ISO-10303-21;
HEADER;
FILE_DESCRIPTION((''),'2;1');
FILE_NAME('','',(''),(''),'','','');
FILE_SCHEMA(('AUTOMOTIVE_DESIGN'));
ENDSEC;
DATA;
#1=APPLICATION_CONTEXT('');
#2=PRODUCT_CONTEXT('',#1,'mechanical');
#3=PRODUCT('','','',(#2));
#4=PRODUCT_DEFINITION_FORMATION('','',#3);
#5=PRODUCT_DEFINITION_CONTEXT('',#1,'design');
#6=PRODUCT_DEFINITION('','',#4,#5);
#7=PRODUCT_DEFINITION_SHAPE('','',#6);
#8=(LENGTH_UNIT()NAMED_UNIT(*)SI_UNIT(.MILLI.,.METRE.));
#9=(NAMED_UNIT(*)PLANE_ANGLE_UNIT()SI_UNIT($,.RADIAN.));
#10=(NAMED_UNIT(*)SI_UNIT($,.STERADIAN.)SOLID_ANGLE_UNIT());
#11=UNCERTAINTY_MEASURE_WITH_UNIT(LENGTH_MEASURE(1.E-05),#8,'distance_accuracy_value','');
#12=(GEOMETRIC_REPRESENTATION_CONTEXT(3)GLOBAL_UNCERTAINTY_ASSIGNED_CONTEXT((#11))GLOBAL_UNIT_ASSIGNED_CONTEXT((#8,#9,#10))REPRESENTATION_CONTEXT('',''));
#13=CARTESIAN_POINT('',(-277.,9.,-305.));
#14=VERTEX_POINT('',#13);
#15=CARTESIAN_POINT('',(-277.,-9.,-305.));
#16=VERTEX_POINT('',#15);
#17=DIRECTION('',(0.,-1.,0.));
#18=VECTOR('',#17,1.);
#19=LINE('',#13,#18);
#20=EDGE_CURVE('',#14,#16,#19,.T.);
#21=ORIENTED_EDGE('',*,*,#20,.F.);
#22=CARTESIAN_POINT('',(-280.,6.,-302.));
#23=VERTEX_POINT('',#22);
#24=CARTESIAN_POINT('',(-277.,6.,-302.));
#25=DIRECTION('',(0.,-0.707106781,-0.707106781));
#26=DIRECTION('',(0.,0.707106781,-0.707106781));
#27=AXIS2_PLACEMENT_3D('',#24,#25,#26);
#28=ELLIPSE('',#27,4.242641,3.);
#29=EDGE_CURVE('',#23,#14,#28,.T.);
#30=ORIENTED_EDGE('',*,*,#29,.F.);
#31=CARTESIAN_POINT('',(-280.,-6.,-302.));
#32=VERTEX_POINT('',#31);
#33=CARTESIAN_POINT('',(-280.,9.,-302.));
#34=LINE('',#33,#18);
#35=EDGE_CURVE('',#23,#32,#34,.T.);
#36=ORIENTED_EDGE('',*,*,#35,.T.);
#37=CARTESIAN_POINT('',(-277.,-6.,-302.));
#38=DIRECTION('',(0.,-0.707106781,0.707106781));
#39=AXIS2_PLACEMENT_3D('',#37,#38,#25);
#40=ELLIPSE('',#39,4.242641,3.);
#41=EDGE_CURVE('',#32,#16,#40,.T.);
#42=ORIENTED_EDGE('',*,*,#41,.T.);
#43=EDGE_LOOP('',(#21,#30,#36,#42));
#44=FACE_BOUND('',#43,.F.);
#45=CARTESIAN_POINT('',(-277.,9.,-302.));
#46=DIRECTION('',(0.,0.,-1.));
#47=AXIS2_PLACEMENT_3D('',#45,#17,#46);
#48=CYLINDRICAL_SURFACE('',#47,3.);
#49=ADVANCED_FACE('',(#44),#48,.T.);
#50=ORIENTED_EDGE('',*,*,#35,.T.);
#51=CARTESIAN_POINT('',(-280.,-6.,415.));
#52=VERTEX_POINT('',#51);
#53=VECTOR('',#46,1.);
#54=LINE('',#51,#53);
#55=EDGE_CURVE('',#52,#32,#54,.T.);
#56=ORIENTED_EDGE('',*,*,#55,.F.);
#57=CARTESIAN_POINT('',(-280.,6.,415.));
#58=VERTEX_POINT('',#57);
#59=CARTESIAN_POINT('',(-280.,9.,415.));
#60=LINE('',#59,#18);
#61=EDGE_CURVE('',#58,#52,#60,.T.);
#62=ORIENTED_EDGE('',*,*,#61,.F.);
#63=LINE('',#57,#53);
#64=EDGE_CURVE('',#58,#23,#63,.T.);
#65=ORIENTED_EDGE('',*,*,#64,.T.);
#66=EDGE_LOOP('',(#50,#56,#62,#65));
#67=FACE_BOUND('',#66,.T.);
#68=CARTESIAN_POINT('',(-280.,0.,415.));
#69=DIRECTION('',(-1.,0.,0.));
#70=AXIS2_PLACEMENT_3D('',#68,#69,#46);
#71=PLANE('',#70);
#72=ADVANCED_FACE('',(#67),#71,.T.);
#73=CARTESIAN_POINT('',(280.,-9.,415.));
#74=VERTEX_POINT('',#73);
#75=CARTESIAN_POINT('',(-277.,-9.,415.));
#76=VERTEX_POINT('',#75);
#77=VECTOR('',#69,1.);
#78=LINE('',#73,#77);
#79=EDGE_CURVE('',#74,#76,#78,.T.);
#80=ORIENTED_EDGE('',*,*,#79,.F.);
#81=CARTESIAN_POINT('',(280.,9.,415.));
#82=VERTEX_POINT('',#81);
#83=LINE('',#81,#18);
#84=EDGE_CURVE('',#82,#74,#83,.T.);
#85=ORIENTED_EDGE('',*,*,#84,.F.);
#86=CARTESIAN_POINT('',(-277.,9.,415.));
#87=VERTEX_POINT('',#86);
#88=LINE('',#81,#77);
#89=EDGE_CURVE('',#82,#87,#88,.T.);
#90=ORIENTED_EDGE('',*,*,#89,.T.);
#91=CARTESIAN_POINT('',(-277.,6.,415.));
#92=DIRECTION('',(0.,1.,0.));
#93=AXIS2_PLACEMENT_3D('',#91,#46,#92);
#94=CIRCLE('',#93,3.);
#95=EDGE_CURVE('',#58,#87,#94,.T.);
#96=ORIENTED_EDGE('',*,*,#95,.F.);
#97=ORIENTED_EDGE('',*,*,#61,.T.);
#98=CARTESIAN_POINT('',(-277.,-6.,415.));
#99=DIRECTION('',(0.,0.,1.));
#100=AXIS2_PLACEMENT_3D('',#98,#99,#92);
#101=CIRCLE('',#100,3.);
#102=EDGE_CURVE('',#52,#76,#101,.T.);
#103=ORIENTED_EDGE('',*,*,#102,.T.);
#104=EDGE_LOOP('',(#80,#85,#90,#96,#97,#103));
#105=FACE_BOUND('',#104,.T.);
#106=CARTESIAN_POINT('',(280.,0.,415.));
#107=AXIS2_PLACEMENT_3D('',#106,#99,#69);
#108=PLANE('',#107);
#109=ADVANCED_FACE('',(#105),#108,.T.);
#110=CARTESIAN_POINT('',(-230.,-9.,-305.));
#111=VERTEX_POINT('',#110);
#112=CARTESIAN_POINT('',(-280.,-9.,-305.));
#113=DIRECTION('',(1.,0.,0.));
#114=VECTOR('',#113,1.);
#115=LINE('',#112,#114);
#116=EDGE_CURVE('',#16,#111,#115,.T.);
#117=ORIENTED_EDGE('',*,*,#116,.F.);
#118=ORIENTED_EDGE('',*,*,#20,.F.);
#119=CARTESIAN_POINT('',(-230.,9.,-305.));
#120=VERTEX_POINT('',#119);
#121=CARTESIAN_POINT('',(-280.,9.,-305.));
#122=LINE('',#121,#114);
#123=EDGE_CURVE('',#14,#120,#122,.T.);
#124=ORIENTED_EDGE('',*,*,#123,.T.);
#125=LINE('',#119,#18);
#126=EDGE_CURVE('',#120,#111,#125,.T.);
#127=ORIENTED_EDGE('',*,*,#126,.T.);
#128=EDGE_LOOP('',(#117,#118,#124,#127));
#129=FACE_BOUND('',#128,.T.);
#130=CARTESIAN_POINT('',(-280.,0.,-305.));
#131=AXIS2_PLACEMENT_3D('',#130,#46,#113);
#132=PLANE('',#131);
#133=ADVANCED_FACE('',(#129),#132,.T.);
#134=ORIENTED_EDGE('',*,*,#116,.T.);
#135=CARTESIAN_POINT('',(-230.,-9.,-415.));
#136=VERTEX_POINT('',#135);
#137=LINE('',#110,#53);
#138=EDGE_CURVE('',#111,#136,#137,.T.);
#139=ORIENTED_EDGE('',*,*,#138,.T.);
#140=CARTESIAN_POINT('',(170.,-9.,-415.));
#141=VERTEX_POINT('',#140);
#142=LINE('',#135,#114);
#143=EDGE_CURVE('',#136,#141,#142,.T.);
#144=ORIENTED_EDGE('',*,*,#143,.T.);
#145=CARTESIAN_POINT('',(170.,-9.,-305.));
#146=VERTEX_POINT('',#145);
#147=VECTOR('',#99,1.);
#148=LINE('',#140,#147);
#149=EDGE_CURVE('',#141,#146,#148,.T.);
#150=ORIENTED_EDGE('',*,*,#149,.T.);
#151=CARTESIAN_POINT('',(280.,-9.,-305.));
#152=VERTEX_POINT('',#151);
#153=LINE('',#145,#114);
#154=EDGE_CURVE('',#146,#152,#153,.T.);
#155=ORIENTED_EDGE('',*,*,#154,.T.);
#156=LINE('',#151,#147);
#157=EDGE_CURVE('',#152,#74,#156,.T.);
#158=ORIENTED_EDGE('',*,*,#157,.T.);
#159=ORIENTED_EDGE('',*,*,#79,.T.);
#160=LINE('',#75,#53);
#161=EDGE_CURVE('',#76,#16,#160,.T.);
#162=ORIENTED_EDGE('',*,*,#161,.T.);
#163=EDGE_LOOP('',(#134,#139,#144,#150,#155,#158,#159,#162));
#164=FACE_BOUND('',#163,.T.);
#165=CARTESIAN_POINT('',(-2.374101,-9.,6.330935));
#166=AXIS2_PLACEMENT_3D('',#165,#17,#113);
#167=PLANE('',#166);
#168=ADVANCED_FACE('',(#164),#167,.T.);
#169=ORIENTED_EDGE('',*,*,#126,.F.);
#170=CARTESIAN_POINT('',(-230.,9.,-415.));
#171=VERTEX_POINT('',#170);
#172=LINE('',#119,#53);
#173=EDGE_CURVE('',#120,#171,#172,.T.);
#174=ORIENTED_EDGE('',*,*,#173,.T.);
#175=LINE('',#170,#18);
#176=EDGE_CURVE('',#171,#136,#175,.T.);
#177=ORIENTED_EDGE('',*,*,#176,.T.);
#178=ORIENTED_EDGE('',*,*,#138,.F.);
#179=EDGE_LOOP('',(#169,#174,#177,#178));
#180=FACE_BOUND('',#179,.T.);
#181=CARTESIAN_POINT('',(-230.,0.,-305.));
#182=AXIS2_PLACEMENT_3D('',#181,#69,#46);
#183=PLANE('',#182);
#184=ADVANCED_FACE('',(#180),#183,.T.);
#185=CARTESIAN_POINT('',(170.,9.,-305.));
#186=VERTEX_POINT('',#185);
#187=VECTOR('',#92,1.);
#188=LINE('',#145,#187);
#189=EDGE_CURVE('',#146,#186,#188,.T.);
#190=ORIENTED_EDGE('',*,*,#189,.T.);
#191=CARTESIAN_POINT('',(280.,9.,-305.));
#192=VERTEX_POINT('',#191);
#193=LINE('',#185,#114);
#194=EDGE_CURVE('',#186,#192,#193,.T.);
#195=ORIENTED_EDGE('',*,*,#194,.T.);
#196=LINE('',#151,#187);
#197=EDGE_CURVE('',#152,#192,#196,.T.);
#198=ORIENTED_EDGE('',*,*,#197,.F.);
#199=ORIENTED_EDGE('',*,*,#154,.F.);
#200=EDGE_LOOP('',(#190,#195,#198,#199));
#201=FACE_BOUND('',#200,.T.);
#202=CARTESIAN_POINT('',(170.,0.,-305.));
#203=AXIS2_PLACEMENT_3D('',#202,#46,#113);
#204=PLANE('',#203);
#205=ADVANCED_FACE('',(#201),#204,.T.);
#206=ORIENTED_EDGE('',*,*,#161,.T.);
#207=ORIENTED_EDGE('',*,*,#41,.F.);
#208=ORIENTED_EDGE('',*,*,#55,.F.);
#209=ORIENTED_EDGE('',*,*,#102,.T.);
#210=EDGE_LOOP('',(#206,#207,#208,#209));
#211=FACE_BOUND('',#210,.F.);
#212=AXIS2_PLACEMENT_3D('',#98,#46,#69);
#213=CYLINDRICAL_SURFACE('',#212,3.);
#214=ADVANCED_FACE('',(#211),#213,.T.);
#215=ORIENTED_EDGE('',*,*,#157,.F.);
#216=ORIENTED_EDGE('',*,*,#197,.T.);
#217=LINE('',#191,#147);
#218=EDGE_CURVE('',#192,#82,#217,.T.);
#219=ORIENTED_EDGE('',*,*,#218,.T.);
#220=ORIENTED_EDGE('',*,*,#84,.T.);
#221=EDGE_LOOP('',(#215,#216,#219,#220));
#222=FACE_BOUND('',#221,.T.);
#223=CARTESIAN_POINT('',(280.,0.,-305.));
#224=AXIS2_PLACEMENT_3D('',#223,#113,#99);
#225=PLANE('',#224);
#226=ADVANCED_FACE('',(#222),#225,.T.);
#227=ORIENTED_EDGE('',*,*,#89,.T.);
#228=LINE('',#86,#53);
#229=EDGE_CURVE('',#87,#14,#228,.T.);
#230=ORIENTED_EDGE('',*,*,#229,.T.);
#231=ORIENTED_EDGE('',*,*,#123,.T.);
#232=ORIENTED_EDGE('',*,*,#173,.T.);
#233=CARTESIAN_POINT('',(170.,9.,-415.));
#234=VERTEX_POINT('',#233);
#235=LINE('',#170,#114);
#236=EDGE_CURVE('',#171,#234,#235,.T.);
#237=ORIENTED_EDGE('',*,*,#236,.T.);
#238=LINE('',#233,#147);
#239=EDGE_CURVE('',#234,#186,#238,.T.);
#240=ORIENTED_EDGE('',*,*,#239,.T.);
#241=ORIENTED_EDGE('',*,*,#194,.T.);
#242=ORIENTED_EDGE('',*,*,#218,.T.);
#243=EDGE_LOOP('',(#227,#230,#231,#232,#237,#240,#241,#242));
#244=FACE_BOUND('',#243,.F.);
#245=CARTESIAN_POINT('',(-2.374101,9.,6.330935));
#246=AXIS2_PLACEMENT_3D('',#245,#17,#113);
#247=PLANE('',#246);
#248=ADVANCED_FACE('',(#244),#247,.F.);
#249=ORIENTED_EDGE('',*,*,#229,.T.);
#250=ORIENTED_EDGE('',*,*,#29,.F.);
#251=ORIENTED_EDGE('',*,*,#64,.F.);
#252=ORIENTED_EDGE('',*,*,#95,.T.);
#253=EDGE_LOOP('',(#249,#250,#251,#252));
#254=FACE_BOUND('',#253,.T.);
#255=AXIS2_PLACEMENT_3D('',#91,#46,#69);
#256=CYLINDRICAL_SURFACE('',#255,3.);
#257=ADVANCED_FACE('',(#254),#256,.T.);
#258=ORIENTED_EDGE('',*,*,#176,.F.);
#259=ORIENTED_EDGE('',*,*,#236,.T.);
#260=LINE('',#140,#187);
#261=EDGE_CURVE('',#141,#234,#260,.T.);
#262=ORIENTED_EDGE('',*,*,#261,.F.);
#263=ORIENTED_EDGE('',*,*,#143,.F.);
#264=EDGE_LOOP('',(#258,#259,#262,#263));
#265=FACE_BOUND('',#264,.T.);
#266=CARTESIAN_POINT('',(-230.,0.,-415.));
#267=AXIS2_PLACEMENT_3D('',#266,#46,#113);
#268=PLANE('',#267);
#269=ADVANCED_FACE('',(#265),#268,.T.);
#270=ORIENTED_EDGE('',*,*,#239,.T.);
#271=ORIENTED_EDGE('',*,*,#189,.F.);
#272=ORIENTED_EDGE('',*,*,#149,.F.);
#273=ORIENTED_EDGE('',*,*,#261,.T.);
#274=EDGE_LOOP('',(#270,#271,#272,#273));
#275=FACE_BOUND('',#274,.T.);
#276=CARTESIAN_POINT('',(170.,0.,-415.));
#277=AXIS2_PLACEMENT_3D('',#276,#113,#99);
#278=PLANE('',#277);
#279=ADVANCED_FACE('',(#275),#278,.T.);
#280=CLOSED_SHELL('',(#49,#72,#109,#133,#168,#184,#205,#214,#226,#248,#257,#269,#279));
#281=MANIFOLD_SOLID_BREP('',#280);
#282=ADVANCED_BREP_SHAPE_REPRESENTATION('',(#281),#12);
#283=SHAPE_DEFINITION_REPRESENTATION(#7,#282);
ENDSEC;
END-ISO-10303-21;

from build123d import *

# Parameters (mm, degrees)
F1_DEPTH = 9
F2_R     = 3


with BuildPart() as f1:
    # F0 (on Front) → F1 (new body, symmetric)
    with BuildSketch(Plane.XZ):
        Polygon((280, -305), (280, 415), (-280, 415), (-280, -305), (-230, -305), (-230, -415), (170, -415), (170, -305), align=None)
    extrude(amount=F1_DEPTH, both=True)

    # F2
    f2_edges = [f1.edges().sort_by_distance(p)[0] for p in [
        (-280, -9, 55),
        (-280, 9, 55),
        (-280, 0, -305),
    ]]
    fillet(f2_edges, radius=F2_R)


solid = f1.part
